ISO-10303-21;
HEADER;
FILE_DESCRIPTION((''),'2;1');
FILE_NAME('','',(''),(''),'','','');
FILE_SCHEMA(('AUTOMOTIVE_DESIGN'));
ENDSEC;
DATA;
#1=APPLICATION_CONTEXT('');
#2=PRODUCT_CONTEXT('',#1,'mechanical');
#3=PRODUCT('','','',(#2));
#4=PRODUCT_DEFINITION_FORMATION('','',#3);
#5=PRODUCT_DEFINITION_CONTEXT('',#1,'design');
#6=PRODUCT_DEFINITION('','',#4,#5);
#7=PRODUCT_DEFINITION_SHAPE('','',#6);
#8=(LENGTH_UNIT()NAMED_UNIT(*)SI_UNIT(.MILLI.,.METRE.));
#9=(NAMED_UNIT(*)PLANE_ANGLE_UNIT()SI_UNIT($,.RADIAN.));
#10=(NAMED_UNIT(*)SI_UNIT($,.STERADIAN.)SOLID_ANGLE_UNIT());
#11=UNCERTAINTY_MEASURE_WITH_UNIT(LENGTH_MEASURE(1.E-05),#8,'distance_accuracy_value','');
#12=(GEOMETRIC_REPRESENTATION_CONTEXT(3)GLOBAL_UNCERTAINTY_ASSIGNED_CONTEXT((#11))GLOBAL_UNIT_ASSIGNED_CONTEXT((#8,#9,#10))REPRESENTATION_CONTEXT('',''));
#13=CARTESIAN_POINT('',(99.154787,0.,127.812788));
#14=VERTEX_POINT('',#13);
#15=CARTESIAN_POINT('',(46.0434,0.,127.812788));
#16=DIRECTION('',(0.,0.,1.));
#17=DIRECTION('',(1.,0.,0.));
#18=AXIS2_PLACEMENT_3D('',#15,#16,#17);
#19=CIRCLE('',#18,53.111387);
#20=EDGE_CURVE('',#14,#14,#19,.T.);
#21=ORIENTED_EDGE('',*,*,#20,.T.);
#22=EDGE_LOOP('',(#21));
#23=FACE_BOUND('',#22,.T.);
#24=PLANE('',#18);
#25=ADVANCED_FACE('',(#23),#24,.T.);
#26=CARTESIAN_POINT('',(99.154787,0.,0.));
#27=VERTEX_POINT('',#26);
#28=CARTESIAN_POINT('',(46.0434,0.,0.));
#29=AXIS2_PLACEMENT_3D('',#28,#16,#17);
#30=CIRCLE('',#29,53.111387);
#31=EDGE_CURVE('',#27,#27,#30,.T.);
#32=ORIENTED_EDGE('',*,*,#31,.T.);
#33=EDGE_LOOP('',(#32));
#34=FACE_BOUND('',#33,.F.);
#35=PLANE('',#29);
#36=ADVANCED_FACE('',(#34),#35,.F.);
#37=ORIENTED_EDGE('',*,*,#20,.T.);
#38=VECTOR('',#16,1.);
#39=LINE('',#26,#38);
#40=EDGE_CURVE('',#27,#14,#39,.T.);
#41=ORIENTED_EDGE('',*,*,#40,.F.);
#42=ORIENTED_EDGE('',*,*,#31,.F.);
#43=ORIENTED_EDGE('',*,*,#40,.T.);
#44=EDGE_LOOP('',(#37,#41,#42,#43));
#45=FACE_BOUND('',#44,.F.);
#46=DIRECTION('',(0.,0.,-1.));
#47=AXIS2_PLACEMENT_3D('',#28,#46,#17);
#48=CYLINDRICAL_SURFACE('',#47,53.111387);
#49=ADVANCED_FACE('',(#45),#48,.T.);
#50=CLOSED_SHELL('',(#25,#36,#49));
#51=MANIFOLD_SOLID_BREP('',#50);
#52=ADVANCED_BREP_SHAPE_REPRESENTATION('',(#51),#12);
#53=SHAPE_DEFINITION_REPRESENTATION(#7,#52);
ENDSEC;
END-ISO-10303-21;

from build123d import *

# Parameters (mm, degrees)
F1_R     = 53.111387
F2_DEPTH = 127.812788


with BuildPart() as f2:
    # F1 (on face) → F2 (new body)
    with BuildSketch(Plane.XY):
        with Locations((46.0434, 0)):
            Circle(F1_R)
    extrude(amount=F2_DEPTH)


solid = f2.part
